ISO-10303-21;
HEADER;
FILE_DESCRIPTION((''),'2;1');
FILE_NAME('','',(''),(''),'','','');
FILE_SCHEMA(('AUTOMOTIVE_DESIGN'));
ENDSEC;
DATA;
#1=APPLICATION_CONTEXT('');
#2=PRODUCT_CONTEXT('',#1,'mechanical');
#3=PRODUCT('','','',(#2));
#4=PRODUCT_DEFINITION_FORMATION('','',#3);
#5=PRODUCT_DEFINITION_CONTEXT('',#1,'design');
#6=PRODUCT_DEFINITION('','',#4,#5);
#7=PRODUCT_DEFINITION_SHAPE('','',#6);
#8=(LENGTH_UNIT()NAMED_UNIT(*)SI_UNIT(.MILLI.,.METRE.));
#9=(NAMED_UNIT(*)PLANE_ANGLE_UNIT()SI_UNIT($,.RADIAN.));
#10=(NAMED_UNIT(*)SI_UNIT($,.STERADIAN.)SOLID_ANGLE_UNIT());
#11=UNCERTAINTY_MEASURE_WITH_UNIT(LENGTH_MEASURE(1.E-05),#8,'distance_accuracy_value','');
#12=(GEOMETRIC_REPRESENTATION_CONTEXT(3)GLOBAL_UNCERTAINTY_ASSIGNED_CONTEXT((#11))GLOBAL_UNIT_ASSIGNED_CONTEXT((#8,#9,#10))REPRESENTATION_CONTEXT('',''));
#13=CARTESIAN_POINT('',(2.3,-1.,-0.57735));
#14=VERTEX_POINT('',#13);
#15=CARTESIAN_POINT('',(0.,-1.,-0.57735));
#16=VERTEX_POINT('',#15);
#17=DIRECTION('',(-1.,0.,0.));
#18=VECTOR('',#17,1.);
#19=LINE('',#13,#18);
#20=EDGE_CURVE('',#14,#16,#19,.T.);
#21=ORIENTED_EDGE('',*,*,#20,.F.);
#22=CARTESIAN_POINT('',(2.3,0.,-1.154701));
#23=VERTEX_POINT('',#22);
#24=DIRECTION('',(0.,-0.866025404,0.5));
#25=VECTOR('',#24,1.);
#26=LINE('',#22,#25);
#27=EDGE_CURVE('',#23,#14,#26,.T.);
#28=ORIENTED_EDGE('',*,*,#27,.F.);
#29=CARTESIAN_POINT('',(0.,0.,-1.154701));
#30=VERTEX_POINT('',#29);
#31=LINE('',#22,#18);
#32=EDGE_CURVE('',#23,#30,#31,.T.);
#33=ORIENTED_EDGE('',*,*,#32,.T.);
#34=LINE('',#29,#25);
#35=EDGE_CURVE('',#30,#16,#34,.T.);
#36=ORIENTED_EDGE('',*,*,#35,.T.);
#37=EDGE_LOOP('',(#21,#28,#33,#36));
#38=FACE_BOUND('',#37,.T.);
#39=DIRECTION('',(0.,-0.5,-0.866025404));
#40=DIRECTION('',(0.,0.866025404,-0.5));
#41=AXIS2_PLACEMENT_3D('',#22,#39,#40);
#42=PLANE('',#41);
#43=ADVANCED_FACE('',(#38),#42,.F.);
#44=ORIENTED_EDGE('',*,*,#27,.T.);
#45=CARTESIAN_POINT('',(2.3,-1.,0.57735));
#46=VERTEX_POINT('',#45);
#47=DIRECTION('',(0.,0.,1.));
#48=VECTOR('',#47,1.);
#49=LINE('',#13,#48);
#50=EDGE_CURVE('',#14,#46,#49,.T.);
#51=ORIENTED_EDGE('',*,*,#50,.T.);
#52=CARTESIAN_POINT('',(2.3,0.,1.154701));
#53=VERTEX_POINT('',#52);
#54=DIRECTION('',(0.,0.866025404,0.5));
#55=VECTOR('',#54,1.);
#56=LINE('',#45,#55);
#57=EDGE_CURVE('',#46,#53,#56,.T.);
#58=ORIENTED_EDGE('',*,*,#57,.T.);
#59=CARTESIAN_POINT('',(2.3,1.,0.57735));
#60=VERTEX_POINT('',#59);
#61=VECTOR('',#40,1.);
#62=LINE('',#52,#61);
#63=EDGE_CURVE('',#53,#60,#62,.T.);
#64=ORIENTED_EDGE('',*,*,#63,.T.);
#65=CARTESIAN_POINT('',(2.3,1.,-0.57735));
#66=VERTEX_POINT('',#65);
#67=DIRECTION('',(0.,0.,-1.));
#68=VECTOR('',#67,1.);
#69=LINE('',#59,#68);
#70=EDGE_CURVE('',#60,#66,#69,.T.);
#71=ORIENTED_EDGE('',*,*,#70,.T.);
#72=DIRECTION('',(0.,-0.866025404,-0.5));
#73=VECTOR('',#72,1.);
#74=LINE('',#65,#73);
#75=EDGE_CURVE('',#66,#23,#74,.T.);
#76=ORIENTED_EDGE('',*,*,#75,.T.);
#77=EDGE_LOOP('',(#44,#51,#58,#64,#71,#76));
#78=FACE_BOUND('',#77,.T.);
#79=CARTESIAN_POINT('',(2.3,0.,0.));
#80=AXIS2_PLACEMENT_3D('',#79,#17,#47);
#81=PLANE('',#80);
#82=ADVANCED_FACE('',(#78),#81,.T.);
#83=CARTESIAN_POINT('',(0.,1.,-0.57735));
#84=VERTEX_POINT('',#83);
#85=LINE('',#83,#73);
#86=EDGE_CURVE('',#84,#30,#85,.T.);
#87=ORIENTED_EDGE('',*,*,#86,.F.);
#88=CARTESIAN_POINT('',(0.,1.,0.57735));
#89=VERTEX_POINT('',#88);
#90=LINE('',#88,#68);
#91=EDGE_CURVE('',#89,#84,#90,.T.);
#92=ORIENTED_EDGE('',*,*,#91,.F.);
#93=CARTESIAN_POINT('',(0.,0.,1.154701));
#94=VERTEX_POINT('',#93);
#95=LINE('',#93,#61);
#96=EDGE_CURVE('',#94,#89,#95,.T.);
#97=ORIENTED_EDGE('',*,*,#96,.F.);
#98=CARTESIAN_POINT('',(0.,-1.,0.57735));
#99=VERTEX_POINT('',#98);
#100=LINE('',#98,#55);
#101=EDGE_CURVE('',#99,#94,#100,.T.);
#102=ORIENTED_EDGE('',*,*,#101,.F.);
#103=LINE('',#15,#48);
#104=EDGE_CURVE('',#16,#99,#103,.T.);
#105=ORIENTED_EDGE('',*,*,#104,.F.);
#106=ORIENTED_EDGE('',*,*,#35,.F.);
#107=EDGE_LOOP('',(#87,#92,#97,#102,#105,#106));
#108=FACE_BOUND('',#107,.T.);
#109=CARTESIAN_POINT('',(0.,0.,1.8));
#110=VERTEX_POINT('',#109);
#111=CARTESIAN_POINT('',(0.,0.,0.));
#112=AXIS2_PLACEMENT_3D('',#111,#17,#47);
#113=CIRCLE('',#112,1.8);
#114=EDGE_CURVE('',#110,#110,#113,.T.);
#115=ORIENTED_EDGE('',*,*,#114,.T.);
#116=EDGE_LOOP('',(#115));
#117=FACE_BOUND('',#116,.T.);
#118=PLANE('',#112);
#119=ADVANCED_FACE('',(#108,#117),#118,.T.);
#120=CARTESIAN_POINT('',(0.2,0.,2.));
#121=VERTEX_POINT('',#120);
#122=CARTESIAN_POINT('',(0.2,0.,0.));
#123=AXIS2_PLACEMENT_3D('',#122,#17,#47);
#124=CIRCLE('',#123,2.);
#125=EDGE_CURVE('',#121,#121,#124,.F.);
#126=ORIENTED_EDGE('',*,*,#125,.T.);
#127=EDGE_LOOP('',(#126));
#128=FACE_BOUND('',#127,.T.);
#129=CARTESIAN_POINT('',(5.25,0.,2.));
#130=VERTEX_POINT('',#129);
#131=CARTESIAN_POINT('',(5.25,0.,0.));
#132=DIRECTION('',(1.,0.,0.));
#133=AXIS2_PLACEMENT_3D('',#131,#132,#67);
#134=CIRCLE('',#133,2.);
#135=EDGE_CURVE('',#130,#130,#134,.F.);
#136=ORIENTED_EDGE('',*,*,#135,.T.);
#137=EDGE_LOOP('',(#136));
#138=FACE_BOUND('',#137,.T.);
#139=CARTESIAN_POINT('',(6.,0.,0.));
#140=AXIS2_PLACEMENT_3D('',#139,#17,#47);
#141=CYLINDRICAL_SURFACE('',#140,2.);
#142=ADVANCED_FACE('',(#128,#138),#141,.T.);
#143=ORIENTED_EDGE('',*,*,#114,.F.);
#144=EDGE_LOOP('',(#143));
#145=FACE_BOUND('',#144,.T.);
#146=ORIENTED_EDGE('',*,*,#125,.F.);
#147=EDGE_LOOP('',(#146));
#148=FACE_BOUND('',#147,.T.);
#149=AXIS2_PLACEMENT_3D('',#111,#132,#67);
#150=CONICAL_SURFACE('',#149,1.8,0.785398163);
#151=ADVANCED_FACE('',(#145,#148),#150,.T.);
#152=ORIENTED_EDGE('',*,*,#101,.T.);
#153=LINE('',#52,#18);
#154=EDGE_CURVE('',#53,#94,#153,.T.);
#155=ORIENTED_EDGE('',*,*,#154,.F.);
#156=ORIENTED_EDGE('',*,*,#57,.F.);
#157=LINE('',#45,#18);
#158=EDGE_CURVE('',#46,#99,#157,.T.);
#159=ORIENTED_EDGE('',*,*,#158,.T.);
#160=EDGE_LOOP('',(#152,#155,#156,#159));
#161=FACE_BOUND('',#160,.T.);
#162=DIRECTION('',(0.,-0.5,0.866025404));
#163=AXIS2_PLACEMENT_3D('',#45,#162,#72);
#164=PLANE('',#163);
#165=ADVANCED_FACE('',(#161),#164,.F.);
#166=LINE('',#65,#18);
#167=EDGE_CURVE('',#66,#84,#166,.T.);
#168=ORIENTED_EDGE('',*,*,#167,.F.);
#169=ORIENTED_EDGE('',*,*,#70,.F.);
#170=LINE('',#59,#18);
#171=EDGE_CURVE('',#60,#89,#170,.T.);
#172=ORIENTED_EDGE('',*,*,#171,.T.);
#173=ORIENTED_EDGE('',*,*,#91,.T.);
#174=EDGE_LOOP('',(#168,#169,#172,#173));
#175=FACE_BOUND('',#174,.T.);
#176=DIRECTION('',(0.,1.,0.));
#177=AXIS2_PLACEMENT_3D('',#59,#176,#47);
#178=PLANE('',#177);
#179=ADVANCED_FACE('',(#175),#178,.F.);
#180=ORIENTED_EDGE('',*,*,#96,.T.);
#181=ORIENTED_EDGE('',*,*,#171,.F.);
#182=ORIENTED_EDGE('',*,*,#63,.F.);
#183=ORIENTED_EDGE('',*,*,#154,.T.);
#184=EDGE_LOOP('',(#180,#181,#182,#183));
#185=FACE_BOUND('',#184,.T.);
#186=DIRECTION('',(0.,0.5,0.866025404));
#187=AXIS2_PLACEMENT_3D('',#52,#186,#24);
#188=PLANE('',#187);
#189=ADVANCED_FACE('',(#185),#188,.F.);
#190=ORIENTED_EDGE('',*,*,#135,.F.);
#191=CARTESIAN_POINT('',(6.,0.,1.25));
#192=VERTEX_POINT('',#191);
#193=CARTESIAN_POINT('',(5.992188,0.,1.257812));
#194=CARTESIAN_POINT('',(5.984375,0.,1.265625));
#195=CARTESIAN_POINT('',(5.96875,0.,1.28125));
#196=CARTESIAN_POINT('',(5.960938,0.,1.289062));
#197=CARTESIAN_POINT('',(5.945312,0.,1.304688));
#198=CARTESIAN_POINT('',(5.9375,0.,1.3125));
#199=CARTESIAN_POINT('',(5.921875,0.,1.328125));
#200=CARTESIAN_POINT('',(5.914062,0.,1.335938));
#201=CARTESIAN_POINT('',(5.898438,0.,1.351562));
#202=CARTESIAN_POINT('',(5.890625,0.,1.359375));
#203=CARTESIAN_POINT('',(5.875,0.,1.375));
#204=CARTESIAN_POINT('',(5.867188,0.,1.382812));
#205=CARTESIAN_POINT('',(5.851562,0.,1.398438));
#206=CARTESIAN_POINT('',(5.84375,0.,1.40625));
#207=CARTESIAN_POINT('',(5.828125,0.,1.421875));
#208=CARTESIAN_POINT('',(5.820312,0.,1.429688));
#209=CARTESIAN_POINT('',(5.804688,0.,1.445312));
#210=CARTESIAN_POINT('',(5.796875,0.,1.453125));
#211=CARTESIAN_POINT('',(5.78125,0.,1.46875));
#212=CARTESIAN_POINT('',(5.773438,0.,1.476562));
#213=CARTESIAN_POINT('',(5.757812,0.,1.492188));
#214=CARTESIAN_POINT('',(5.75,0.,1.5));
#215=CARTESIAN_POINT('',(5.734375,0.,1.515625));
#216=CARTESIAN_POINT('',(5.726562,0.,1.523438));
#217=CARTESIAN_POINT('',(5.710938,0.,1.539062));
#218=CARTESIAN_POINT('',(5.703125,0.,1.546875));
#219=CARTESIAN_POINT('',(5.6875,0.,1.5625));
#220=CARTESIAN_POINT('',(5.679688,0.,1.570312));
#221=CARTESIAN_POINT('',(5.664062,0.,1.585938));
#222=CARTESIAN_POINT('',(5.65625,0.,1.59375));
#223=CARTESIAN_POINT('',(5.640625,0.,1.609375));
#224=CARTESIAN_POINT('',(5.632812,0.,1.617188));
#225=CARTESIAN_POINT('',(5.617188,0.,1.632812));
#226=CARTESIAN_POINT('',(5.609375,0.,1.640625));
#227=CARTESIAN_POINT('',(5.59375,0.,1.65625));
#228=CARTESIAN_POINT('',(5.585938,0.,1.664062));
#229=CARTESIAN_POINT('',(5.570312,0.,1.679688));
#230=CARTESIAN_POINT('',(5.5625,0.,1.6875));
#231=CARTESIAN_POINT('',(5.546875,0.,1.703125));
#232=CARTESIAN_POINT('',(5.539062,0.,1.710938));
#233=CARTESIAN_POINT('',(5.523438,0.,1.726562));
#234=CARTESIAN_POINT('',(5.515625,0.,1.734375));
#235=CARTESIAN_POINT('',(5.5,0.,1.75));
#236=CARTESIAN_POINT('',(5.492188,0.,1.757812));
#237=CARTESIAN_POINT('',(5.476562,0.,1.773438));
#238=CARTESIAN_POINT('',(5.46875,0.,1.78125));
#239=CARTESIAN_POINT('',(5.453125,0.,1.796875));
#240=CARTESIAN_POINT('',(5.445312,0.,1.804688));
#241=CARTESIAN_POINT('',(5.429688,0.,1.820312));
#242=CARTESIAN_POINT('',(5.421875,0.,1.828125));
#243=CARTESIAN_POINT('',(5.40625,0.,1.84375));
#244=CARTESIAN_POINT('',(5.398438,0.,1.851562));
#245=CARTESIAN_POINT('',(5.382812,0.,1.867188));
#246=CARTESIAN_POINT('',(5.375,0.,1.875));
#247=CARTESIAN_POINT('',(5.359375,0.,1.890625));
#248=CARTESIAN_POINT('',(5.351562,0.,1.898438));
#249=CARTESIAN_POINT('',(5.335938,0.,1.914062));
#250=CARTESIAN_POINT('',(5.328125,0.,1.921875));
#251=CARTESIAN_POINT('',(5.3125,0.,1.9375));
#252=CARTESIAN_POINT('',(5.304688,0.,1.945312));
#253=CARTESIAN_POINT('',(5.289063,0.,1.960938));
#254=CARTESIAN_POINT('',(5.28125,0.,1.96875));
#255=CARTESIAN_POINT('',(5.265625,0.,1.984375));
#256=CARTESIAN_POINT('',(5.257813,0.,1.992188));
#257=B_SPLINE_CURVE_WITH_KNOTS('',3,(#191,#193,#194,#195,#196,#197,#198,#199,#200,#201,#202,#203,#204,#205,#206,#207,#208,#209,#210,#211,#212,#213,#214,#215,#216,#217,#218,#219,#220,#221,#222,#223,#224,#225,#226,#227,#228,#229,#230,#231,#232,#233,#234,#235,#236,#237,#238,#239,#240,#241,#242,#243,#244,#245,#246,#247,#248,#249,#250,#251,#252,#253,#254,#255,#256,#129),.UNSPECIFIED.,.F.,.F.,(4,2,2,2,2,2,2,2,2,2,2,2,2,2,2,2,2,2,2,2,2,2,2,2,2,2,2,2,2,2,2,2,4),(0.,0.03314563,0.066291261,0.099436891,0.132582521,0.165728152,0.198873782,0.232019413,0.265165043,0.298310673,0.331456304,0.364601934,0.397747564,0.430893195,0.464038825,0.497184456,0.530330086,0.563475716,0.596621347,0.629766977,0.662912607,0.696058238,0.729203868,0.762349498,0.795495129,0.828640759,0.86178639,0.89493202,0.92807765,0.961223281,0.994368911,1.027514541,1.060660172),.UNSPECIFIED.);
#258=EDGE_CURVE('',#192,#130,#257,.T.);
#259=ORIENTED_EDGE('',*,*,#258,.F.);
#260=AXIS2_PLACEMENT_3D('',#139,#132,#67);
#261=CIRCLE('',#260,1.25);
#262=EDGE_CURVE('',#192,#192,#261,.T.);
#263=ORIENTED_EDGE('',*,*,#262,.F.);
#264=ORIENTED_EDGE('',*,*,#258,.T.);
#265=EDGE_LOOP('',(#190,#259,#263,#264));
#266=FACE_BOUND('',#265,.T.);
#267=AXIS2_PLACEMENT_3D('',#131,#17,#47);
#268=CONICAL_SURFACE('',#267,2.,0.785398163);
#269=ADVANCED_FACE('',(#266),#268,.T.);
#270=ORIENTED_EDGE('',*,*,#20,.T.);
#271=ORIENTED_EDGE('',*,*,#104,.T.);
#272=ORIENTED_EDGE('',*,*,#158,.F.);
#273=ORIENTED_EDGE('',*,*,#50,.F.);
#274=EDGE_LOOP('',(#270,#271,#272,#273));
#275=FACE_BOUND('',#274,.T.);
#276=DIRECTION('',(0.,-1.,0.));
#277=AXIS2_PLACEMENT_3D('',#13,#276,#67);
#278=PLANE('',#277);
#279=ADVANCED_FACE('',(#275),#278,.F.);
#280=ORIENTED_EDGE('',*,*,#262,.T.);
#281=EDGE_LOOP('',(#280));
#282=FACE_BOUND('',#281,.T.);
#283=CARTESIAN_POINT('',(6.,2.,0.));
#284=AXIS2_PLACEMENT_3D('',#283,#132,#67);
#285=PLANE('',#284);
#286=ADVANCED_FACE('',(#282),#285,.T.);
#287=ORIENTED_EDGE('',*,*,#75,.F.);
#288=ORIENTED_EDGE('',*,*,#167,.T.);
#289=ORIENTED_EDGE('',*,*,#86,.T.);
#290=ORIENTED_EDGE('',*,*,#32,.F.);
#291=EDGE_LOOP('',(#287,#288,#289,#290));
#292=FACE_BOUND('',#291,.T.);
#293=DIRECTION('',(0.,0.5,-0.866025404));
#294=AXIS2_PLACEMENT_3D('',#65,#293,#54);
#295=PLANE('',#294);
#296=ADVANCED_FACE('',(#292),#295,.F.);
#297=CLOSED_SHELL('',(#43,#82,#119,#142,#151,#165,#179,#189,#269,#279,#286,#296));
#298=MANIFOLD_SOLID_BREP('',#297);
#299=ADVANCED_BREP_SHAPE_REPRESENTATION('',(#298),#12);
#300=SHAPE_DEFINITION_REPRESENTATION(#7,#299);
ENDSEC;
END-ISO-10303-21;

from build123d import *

# Parameters (mm, degrees)
SKETCH1_W          = 6
SKETCH1_H          = 2
CUT_EXTRUDE1_DEPTH = 2.3
CHAMFER1_SIZE      = 0.75
CHAMFER2_SIZE      = 0.2


with BuildPart() as part:
    # Sketch1 → Revolve1 (revolve)
    with BuildSketch(Plane(origin=(0, 0, 0), x_dir=(-1, 0, 0), z_dir=(0, 0, -1)), mode=Mode.PRIVATE) as revolve1_sk:
        with Locations((-3, 1)):
            Rectangle(SKETCH1_W, SKETCH1_H)
    revolve(revolve1_sk.sketch.rotate(Axis((6, 0, 0), (-1, 0, 0)), 270), axis=Axis((6, 0, 0), (-1, 0, 0)))

    # Sketch2 → Cut-Extrude1 (cut)
    with BuildSketch(Plane.ZY):
        Polygon((0.577350269, -1), (1.154700538, 0), (0.577350269, 1), (-0.577350269, 1), (-1.154700538, 0), (-0.577350269, -1), align=None)
    extrude(amount=-CUT_EXTRUDE1_DEPTH, mode=Mode.SUBTRACT)

    # Chamfer1
    chamfer1_edges = [part.edges().sort_by_distance(p)[0] for p in [
        (6, 0, -2),
    ]]
    chamfer(chamfer1_edges, length=CHAMFER1_SIZE)

    # Chamfer2
    chamfer2_edges = [part.edges().sort_by_distance(p)[0] for p in [
        (0, 0, -2),
    ]]
    chamfer(chamfer2_edges, length=CHAMFER2_SIZE)


solid = part.part
